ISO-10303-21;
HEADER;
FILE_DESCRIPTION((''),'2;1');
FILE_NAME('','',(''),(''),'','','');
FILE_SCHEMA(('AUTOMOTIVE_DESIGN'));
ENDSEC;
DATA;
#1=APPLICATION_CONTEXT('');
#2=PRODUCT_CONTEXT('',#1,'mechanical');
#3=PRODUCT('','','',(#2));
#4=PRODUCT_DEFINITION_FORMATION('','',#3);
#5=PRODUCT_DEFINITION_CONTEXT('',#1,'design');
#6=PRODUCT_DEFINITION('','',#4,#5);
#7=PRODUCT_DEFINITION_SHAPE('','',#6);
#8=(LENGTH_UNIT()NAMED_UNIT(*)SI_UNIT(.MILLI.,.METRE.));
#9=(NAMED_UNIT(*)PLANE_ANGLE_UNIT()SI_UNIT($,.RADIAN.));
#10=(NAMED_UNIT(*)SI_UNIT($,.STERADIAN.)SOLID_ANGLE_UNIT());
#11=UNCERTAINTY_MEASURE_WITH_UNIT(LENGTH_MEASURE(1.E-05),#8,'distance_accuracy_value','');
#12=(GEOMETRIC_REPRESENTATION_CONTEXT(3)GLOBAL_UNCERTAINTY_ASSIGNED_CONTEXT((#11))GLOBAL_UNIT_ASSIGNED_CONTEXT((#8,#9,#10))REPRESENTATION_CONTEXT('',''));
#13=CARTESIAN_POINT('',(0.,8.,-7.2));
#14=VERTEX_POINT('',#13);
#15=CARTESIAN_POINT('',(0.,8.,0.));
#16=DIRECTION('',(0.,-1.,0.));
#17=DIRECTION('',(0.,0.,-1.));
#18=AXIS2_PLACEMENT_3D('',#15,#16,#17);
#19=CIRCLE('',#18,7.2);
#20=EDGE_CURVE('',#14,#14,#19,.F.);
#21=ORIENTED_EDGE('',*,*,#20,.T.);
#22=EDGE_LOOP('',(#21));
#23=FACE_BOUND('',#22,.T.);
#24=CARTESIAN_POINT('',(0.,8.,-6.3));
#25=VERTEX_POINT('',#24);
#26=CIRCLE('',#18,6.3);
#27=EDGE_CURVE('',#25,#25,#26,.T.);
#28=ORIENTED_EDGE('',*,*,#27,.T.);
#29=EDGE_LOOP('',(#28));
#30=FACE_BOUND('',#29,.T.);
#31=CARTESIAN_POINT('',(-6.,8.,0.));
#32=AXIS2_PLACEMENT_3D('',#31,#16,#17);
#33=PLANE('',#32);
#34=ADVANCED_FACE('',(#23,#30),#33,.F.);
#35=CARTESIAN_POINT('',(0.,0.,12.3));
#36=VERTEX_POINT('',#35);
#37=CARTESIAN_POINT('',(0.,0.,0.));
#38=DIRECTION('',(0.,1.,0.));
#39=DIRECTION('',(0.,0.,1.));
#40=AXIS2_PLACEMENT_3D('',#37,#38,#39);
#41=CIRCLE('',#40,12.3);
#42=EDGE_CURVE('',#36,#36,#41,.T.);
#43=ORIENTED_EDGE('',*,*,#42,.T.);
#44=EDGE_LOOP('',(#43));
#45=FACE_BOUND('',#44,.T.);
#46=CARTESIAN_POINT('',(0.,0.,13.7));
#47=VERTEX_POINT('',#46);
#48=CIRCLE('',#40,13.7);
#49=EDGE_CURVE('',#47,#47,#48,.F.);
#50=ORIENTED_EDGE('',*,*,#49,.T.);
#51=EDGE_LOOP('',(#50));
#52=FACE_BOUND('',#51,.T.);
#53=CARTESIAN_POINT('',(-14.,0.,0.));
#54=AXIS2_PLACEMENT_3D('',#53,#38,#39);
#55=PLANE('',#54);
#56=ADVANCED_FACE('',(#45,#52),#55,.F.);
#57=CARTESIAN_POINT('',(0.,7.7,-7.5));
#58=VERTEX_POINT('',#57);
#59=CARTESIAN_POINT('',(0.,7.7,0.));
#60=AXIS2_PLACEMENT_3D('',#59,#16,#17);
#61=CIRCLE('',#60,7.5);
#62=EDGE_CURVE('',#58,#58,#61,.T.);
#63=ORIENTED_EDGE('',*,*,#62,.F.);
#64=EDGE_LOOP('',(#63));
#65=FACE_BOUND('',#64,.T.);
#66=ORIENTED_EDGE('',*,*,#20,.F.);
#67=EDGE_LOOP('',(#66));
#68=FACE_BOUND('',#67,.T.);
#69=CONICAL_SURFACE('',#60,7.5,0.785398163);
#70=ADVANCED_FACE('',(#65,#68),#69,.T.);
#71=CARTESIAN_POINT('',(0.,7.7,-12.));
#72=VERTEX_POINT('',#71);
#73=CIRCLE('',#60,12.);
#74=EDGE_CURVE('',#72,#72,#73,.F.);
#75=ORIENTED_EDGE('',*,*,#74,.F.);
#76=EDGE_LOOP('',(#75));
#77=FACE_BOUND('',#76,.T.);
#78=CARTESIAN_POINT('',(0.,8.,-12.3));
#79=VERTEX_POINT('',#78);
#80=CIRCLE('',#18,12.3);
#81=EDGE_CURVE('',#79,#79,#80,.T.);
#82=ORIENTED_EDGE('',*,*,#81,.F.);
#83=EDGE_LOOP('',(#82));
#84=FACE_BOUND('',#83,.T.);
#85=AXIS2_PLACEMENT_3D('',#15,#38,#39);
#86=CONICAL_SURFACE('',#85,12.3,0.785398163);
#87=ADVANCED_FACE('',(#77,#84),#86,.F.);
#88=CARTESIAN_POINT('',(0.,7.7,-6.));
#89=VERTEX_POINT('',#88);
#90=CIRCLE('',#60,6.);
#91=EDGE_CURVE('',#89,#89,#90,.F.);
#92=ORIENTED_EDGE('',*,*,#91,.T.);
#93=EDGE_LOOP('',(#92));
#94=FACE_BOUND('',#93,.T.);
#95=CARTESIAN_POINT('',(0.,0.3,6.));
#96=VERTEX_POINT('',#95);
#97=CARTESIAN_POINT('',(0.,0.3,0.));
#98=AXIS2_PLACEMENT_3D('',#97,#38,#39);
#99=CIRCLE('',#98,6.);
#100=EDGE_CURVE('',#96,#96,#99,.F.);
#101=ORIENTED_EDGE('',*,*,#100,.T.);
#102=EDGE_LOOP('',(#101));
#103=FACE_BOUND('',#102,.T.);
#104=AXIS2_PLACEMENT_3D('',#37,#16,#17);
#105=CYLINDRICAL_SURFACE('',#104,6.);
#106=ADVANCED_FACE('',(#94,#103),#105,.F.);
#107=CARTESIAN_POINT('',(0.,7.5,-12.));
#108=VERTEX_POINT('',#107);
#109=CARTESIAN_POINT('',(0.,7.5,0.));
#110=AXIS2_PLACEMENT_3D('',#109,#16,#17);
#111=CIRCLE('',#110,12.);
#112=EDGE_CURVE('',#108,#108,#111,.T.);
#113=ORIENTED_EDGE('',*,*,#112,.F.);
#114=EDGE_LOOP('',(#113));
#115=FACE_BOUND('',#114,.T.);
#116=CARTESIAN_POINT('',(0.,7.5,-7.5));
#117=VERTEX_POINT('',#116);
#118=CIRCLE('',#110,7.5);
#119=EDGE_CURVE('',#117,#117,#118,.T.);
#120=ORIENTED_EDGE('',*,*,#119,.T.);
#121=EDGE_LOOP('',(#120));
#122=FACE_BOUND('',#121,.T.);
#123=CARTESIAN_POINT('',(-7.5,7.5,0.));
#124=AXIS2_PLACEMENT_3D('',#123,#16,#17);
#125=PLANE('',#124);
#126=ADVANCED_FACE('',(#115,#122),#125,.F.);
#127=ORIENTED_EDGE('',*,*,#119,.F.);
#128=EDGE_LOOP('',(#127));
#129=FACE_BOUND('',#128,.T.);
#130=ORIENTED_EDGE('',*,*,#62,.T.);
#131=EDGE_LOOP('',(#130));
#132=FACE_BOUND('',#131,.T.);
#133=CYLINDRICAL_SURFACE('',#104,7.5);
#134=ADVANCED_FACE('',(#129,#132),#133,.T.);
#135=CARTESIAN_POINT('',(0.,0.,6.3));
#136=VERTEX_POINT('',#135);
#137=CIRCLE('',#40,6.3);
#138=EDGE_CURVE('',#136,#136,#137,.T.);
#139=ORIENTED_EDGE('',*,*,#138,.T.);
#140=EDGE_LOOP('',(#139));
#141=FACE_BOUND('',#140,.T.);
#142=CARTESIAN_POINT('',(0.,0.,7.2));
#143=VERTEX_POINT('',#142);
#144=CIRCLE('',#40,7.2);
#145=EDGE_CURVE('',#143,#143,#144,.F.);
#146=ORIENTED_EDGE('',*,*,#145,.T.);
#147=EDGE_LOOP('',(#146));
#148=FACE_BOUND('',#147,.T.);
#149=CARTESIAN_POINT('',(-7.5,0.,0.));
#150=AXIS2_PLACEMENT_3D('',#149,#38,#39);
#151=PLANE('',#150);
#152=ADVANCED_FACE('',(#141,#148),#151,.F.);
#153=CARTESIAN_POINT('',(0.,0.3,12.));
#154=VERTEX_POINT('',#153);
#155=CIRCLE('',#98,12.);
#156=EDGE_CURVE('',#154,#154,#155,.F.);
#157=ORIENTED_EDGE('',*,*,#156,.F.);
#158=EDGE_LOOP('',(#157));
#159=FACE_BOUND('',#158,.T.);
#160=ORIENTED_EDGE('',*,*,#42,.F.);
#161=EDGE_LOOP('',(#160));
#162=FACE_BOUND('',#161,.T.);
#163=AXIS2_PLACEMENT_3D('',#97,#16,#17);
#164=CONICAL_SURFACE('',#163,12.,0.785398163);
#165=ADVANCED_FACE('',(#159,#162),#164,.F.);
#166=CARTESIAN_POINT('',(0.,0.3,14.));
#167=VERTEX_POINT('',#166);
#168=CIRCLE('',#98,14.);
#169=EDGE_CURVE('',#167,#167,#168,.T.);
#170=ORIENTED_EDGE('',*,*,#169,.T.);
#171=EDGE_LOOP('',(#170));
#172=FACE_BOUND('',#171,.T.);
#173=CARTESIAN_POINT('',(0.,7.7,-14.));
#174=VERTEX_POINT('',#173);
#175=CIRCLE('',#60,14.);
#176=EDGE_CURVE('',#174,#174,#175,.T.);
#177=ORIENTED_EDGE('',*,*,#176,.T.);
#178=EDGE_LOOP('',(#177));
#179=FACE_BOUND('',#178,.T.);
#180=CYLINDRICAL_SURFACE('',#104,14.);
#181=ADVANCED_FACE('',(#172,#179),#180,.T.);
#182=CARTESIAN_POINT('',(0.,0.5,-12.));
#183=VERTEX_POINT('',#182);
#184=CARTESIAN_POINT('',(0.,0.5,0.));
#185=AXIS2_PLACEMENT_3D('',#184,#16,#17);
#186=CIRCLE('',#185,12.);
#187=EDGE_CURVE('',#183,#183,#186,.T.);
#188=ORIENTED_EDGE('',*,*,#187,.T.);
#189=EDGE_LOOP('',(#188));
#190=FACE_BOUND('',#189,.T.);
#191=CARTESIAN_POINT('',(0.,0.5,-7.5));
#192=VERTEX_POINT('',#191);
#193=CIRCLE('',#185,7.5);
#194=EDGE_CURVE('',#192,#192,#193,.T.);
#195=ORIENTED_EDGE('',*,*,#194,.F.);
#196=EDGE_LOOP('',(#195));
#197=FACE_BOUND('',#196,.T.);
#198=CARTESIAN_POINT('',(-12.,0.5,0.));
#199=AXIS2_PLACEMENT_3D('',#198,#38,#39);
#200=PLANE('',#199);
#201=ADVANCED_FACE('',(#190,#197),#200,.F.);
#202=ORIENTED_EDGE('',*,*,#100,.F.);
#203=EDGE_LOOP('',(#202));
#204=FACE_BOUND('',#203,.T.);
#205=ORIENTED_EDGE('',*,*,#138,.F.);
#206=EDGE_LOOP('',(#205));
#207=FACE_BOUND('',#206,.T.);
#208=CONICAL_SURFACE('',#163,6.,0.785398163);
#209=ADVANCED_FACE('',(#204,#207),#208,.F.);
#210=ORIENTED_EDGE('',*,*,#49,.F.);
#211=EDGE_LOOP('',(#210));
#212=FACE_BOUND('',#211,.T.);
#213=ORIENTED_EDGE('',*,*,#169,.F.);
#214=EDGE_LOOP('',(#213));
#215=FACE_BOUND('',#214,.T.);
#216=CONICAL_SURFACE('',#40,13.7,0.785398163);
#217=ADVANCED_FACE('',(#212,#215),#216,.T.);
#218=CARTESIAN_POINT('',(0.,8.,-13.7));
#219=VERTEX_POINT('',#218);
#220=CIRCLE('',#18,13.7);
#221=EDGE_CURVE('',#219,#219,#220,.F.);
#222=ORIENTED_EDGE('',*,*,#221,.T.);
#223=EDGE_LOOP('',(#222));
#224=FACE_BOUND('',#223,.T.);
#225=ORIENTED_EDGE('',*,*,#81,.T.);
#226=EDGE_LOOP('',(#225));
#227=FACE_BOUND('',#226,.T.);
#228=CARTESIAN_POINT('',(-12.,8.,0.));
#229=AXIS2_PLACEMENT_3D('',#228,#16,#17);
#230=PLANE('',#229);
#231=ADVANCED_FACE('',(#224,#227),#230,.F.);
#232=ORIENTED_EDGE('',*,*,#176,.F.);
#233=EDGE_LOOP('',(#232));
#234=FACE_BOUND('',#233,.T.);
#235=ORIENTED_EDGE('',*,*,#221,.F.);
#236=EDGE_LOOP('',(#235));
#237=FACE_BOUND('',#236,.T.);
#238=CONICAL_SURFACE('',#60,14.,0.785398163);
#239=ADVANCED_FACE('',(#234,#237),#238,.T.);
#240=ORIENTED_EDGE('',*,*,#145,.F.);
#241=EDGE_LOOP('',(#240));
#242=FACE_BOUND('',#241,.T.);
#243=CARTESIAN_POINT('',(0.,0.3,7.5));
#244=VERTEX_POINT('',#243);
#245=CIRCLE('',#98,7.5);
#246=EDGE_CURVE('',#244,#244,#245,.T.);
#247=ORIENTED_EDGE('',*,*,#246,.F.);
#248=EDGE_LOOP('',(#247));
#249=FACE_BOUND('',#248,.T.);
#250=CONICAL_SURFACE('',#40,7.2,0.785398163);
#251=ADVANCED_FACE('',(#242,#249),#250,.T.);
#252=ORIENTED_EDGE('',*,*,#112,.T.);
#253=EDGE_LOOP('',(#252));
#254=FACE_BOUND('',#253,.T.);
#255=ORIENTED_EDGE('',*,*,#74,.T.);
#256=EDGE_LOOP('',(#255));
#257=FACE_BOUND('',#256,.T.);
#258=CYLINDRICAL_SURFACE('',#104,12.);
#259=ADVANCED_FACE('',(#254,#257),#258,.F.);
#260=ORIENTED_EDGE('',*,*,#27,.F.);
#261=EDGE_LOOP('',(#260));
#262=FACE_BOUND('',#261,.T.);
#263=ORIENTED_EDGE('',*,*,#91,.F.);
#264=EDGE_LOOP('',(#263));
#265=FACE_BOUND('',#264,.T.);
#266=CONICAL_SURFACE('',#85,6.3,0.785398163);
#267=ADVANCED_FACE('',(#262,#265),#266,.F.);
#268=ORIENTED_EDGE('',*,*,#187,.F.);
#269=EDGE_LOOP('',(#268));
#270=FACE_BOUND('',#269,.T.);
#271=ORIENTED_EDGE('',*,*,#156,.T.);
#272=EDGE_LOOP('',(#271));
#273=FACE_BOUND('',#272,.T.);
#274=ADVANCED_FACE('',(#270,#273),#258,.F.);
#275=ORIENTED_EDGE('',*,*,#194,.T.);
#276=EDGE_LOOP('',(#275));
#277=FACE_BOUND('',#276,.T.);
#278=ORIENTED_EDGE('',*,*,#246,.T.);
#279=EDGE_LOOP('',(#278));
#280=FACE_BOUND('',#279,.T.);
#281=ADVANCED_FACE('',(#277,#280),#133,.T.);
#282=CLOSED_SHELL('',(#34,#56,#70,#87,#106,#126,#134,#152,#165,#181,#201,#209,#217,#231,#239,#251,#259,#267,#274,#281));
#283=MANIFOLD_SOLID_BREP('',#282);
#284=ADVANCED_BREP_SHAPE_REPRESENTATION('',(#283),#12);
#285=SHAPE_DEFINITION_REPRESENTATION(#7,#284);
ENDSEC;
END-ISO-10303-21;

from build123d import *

# Parameters (mm, degrees)
CHAMFER1_SIZE = 0.3


with BuildPart() as part:
    # Sketch1 → Revolve1 (revolve)
    with BuildSketch(Plane.XY):
        Polygon((-6, 0), (-6, 8), (-7.5, 8), (-7.5, 7.5), (-12, 7.5), (-12, 8), (-14, 8), (-14, 0), (-12, 0), (-12, 0.5), (-7.5, 0.5), (-7.5, 0), align=None)
    revolve(axis=Axis((0, 0, 0), (0, 1, 0)))

    # Chamfer1
    chamfer1_edges = [part.edges().sort_by_distance(p)[0] for p in [
        (14, 0, 0),
        (14, 8, 0),
        (12, 8, 0),
        (7.5, 8, 0),
        (6, 8, 0),
        (6, 0, 0),
        (7.5, 0, 0),
        (12, 0, 0),
    ]]
    chamfer(chamfer1_edges, length=CHAMFER1_SIZE)


solid = part.part
